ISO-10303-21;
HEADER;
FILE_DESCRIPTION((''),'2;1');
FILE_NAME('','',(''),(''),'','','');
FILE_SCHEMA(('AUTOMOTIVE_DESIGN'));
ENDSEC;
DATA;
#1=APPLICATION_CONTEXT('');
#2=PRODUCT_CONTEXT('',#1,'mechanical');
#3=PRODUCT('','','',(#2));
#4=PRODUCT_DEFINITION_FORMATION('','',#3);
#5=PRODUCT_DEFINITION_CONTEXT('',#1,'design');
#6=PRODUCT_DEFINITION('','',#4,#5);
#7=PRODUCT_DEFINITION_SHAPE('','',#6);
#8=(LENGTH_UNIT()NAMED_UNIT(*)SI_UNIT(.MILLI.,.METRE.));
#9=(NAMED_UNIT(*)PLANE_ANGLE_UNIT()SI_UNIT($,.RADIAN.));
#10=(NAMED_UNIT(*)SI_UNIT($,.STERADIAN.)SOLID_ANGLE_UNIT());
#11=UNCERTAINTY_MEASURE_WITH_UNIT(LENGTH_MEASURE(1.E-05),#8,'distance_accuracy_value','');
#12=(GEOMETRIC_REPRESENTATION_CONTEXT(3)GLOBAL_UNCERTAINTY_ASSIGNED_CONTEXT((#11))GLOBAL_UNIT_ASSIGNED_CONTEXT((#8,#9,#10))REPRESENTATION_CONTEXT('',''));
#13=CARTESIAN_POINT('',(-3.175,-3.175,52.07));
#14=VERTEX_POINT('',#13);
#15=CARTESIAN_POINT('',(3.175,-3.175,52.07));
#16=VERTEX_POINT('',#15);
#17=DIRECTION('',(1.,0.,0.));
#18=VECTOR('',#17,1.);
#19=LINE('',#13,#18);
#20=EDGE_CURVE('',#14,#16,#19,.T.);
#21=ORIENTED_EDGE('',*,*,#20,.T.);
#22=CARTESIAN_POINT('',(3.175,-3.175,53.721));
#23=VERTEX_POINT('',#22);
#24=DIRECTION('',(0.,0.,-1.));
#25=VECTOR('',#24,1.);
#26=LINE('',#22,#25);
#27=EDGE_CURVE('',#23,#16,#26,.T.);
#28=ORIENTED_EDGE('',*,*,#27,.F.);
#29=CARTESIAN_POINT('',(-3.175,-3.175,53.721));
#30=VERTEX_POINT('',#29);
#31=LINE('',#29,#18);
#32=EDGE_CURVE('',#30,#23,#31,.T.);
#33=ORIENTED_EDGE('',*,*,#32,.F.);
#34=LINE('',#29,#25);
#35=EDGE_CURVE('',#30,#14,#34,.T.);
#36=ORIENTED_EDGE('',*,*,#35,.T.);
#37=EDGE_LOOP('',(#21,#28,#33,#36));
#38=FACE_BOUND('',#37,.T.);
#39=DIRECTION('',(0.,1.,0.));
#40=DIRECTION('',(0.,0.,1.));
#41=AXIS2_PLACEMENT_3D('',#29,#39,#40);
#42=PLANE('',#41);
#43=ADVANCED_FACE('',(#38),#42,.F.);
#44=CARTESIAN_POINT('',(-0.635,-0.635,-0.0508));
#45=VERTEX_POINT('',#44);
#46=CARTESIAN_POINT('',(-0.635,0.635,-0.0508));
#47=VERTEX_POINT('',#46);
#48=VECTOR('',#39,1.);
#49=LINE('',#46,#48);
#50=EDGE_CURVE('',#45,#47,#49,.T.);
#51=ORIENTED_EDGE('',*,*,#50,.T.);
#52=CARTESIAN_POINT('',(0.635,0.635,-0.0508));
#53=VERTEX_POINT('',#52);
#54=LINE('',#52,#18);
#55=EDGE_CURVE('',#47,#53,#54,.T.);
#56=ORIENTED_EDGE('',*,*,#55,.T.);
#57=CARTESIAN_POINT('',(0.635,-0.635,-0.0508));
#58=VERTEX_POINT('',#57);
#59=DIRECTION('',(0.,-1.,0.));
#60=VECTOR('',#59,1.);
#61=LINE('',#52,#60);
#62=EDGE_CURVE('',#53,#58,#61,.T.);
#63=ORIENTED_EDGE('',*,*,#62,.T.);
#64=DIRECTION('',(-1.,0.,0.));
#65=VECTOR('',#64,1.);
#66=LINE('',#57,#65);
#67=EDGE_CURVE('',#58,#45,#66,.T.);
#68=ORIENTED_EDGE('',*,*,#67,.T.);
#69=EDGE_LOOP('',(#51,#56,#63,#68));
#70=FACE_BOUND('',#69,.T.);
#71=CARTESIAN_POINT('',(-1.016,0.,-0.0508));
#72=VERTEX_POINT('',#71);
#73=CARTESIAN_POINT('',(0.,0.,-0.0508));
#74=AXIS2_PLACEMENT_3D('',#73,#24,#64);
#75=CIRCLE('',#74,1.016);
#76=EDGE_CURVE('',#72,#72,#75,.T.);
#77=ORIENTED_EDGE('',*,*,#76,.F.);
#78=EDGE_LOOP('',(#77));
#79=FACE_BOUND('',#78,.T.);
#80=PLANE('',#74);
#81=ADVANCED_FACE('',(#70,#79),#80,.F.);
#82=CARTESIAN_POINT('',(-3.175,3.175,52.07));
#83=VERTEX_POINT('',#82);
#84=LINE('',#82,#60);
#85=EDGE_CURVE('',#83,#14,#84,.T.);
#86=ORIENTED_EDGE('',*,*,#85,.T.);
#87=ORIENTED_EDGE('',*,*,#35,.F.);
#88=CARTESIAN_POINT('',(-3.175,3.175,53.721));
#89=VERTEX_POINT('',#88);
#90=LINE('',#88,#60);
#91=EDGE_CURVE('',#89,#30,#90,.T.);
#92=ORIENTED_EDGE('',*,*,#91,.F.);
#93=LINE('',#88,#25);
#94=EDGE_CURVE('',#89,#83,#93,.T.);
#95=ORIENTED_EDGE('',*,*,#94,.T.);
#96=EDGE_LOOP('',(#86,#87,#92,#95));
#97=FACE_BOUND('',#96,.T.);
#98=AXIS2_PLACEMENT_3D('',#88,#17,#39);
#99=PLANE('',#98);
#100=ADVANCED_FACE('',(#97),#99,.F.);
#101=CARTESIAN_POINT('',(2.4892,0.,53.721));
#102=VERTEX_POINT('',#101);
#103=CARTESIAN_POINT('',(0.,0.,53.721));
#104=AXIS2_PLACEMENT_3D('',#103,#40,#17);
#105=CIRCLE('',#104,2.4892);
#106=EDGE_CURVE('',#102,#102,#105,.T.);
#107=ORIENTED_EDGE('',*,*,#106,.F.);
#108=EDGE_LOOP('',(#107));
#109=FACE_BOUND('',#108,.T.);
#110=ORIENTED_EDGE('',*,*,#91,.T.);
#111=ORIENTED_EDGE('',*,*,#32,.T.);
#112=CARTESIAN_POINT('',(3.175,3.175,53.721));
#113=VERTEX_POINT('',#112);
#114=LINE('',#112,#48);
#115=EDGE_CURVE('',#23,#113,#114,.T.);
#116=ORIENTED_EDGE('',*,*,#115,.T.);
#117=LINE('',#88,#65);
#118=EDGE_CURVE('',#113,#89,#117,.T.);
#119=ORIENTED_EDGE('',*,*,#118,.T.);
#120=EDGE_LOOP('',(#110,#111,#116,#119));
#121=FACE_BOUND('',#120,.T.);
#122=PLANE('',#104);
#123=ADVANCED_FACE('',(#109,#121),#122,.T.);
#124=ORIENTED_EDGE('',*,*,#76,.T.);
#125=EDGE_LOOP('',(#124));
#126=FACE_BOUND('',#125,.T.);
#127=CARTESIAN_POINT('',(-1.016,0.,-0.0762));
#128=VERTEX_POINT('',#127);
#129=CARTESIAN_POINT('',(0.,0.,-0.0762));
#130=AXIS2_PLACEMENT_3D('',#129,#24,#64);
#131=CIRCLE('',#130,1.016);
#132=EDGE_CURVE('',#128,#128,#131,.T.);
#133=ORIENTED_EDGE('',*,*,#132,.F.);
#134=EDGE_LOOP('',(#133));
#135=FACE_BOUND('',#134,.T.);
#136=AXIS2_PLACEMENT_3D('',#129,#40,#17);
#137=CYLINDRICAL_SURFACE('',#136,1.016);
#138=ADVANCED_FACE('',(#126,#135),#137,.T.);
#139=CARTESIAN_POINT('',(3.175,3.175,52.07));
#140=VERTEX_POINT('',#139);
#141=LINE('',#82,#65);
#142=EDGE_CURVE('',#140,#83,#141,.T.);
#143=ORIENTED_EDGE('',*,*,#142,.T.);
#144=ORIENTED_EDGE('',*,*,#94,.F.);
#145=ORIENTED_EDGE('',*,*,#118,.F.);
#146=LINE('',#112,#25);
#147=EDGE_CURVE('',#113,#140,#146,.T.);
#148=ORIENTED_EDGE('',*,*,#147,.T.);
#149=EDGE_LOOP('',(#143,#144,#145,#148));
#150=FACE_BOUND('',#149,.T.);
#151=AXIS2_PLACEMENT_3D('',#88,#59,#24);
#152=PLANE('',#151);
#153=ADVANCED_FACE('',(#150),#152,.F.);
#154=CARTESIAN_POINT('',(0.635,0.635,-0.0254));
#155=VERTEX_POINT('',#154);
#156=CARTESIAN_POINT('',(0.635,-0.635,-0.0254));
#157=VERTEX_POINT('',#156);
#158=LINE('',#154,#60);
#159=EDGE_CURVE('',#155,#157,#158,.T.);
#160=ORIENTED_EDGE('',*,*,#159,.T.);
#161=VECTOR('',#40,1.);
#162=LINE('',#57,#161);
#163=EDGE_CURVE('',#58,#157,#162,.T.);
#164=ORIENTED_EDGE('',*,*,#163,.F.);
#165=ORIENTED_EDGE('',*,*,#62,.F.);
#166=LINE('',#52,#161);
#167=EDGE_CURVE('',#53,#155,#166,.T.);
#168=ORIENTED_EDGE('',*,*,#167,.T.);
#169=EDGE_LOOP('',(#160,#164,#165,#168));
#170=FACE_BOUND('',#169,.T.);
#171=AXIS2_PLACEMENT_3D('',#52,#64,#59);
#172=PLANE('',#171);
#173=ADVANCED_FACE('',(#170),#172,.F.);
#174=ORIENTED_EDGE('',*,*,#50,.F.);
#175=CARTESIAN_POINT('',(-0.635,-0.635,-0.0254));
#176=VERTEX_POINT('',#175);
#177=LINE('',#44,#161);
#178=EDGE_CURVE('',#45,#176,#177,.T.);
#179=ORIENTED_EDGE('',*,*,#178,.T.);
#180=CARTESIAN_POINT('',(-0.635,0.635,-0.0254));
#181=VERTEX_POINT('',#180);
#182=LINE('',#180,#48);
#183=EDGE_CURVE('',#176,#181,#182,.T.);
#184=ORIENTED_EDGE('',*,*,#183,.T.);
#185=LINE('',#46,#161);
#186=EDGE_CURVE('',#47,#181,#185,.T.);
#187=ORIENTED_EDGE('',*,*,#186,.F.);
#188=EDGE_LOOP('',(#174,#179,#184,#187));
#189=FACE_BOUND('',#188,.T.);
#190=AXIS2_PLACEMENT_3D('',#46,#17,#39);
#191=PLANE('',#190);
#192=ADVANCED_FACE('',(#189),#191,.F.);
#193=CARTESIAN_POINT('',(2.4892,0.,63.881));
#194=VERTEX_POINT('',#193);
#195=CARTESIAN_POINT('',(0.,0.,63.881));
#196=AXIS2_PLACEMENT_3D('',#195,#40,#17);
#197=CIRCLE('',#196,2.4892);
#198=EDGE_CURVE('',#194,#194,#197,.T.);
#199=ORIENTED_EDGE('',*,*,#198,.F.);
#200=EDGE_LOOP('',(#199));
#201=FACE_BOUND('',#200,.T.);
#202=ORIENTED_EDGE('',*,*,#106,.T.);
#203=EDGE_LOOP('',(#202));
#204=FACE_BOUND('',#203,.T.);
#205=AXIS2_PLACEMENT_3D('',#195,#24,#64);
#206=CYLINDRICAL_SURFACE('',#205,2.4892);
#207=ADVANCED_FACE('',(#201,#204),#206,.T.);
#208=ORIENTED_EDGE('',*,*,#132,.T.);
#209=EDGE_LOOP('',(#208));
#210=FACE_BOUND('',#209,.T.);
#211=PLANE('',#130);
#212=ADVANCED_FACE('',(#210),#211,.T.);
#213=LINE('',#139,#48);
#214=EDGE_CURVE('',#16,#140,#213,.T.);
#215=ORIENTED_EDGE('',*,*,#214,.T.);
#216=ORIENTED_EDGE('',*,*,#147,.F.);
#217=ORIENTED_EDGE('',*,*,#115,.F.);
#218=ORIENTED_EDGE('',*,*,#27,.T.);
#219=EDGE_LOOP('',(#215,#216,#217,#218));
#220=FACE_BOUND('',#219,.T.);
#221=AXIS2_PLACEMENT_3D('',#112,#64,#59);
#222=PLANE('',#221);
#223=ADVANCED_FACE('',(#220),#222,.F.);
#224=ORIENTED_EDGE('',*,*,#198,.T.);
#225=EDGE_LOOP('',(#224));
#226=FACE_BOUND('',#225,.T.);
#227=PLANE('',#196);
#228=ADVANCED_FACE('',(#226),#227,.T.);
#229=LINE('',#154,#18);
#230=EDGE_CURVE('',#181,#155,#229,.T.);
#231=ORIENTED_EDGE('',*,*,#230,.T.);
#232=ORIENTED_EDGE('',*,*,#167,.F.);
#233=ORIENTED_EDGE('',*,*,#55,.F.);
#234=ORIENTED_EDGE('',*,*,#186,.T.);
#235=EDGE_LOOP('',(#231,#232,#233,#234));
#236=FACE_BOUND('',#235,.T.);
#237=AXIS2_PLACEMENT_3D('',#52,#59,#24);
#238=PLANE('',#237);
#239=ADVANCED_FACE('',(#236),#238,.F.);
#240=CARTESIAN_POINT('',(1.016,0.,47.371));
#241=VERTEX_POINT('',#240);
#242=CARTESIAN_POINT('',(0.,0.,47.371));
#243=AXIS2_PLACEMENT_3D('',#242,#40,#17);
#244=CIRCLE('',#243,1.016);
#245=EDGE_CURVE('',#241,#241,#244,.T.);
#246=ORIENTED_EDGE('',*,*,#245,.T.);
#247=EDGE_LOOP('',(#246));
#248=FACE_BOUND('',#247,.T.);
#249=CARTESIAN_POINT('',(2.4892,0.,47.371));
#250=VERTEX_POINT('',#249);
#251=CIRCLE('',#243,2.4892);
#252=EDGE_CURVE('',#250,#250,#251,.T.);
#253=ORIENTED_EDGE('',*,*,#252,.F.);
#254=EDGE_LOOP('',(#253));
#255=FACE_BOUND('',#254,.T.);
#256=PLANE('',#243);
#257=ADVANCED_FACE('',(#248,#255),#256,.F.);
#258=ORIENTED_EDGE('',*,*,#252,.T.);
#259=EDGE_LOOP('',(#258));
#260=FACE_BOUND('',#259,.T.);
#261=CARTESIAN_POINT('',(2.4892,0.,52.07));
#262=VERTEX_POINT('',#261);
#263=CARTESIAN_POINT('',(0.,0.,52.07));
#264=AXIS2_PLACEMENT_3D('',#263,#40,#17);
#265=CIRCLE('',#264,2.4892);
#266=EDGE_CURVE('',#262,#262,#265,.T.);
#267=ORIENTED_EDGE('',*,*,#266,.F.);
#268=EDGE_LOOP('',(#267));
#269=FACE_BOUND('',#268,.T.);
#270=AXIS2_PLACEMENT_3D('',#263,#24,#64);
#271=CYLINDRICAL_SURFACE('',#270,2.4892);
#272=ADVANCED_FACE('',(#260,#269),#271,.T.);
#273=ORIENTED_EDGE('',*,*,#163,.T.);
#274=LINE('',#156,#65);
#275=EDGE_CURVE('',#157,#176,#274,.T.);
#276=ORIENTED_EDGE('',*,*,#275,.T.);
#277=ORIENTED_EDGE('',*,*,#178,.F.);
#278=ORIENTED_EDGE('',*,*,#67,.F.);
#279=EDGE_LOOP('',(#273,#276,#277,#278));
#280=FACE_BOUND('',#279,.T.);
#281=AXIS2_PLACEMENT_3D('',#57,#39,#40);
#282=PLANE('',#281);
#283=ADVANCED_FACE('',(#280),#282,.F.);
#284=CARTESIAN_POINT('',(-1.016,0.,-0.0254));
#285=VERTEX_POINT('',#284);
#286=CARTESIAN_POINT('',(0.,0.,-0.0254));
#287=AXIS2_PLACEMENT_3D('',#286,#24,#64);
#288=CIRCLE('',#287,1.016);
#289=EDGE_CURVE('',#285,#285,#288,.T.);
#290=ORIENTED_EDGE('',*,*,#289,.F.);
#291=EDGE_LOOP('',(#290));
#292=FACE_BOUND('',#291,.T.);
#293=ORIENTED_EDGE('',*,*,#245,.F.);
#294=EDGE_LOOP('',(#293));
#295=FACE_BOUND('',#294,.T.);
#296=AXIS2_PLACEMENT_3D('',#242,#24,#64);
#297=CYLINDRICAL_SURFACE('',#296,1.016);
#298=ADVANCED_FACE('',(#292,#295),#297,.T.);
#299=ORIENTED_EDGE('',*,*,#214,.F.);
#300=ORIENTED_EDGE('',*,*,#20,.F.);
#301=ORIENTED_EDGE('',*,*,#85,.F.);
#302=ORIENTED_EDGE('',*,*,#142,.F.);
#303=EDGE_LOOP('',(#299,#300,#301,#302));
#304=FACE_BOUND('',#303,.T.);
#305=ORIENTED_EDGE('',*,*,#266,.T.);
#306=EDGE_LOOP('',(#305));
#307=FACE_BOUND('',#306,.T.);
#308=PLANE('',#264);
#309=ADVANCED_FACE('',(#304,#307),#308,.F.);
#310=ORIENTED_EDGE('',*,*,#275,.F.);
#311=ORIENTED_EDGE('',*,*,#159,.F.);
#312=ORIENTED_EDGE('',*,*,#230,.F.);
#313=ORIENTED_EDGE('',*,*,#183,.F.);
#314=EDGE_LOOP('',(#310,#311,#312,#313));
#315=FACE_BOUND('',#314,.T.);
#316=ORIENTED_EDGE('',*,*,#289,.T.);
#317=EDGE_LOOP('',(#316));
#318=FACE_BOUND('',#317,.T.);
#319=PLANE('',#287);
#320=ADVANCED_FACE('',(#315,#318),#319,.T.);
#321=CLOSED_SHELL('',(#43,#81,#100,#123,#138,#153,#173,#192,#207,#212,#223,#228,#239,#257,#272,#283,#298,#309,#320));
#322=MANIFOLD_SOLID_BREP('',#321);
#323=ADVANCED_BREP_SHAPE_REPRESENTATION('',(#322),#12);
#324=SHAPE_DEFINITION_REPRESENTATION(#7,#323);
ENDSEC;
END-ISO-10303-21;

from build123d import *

# Parameters (mm, degrees)
SKETCH1_R           = 1.016
BOSS_EXTRUDE1_DEPTH = 47.371
BOSS_EXTRUDE2_START = 0.0254
SKETCH2_R           = 1.016
BOSS_EXTRUDE2_DEPTH = 0.0254
SKETCH3_W           = 1.27
SKETCH3_H           = 1.27
BOSS_EXTRUDE3_DEPTH = 0.0254
BOSS_EXTRUDE4_START = 0.0254
SKETCH4_R           = 1.016
BOSS_EXTRUDE4_DEPTH = 0.0254
SKETCH5_R           = 2.4892
BOSS_EXTRUDE5_DEPTH = 4.699
SKETCH6_W           = 6.35
SKETCH6_H           = 6.35
BOSS_EXTRUDE6_DEPTH = 1.651
SKETCH7_R           = 2.4892
BOSS_EXTRUDE7_DEPTH = 10.16


with BuildPart() as part:
    # Sketch1 → Boss-Extrude1 (new body)
    with BuildSketch(Plane.XY):
        Circle(SKETCH1_R)
    extrude(amount=BOSS_EXTRUDE1_DEPTH)

    # Sketch2 → Boss-Extrude2 (add)
    with BuildSketch(Plane(origin=(0, 0, 0), x_dir=(-1, 0, 0), z_dir=(0, 0, -1)).offset(BOSS_EXTRUDE2_START)):
        Circle(SKETCH2_R)
    extrude(amount=-BOSS_EXTRUDE2_DEPTH)

    # Sketch3 → Boss-Extrude3 (add)
    with BuildSketch(Plane(origin=(0, 0, -0.0254), x_dir=(-1, 0, 0), z_dir=(0, 0, -1))):
        Rectangle(SKETCH3_W, SKETCH3_H)
    extrude(amount=BOSS_EXTRUDE3_DEPTH)

    # Sketch4 → Boss-Extrude4 (add)
    with BuildSketch(Plane(origin=(0, 0, -0.0508), x_dir=(-1, 0, 0), z_dir=(0, 0, -1)).offset(BOSS_EXTRUDE4_START)):
        Circle(SKETCH4_R)
    extrude(amount=-BOSS_EXTRUDE4_DEPTH)

    # Sketch5 → Boss-Extrude5 (add)
    with BuildSketch(Plane.XY.offset(47.371)):
        Circle(SKETCH5_R)
    extrude(amount=BOSS_EXTRUDE5_DEPTH)

    # Sketch6 → Boss-Extrude6 (add)
    with BuildSketch(Plane.XY.offset(52.07)):
        Rectangle(SKETCH6_W, SKETCH6_H)
    extrude(amount=BOSS_EXTRUDE6_DEPTH)

    # Sketch7 → Boss-Extrude7 (add)
    with BuildSketch(Plane.XY.offset(53.721)):
        Circle(SKETCH7_R)
    extrude(amount=BOSS_EXTRUDE7_DEPTH)


solid = part.part
